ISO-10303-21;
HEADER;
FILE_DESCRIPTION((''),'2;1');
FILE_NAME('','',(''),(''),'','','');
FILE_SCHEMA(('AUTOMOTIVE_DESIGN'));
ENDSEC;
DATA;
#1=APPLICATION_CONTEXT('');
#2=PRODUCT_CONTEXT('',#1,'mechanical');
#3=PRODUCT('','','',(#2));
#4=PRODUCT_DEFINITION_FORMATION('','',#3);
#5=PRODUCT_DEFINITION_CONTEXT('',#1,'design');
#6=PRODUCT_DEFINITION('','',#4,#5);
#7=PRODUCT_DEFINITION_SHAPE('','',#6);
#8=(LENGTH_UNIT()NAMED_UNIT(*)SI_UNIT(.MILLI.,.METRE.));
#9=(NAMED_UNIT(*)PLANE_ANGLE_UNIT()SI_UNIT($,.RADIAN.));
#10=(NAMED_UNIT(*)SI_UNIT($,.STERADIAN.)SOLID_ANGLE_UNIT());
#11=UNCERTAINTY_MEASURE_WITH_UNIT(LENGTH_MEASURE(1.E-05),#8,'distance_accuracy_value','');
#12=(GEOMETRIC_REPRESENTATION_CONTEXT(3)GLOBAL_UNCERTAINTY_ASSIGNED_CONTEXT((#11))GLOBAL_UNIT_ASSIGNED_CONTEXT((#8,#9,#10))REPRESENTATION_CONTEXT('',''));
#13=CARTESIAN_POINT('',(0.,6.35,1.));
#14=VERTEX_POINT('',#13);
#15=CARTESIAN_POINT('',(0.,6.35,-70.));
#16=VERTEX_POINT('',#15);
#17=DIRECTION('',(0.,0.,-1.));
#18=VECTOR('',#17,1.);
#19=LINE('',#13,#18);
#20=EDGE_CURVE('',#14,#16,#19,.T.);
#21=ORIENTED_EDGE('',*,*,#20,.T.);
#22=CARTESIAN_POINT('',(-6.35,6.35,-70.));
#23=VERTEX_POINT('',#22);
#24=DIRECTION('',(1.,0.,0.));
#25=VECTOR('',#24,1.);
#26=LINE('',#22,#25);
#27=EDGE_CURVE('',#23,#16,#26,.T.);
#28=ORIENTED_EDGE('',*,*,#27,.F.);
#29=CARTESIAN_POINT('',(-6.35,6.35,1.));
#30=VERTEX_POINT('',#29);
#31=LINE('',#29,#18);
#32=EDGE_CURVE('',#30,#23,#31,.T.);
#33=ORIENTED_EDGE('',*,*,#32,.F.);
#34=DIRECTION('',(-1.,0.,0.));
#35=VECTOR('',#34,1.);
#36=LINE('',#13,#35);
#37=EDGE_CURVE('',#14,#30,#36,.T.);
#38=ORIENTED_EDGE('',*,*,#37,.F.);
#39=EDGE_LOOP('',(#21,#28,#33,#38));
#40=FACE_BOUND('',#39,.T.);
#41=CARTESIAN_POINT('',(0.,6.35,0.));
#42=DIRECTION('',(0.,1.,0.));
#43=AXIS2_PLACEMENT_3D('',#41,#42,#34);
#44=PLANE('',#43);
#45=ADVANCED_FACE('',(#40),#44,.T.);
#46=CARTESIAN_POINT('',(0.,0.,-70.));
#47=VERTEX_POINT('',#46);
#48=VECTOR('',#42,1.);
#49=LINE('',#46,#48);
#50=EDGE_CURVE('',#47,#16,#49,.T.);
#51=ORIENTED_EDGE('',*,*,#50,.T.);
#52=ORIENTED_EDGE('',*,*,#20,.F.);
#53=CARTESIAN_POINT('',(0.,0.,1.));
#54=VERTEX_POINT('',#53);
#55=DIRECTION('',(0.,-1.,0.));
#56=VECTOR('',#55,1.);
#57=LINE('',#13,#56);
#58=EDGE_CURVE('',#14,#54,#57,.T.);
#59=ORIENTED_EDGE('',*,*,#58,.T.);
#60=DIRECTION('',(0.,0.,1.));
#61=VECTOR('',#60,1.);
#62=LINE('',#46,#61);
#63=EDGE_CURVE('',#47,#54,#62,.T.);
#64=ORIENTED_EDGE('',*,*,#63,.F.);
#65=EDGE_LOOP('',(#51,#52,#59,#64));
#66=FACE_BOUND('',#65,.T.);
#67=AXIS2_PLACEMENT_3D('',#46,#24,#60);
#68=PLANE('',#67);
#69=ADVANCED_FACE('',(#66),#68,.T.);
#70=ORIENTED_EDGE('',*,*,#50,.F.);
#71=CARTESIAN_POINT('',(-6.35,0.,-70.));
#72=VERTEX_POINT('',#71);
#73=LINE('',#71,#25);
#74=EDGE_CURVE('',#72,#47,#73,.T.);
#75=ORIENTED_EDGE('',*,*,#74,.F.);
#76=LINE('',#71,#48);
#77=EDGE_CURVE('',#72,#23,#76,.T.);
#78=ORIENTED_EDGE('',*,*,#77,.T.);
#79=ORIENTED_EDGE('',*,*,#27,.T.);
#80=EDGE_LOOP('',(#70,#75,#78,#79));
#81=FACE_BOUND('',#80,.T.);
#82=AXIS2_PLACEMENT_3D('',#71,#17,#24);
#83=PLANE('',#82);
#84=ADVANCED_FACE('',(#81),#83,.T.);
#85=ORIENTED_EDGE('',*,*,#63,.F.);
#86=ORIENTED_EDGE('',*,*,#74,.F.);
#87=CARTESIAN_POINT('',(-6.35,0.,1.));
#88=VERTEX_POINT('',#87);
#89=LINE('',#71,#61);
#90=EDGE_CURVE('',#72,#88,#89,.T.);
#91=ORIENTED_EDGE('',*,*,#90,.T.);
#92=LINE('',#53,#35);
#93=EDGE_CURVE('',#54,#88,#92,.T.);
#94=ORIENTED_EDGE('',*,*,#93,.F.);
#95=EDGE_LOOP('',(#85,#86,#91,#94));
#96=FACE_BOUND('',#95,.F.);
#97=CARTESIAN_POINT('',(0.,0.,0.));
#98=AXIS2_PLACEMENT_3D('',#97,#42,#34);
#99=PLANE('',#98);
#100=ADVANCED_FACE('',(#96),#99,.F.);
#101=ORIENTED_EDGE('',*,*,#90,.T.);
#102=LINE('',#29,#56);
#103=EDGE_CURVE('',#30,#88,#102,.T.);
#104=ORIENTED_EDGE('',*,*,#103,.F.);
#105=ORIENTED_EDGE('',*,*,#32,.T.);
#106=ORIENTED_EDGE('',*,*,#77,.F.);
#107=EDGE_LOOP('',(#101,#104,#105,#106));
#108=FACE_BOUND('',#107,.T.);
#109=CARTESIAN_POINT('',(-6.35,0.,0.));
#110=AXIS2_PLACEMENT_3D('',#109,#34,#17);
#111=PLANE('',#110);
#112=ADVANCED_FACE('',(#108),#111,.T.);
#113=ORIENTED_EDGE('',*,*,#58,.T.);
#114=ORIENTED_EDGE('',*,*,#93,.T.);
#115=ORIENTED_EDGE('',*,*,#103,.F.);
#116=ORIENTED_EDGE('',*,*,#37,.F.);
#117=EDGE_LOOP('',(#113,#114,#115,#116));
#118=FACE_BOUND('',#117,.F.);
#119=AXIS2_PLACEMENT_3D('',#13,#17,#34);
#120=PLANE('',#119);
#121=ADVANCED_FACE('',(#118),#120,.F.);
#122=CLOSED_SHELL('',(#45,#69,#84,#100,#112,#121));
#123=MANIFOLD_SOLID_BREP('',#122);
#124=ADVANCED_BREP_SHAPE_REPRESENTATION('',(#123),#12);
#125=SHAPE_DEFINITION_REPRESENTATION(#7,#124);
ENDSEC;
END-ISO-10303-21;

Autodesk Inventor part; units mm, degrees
ref_plane "YZ Plane" through (0, 0, 0) normal (1, 0, 0) x (0, 1, 0)
ref_plane "XZ Plane" through (0, 0, 0) normal (0, 1, 0) x (-1, 0, 0)
ref_plane "XY Plane" through (0, 0, 0) normal (0, 0, 1) x (1, 0, 0)
sketch "Sketch1" plane through (0, 0, 0) normal (0, 1, 0) x (-1, 0, 0)
  line L0 (0, 0) -> (6.35, 0)
  line L1 (6.35, 0) -> (6.35, -70)
  line L2 (6.35, -70) -> (0, -70)
  line L3 (0, -70) -> (0, 0)
  dimension "d0" = 6.35
  dimension "d1" = 70
extrude "Extrusion1" add sketch "Sketch1" along normal blind 6.35
sketch "Sketch2" plane through (0, 6.35, 0) normal (0, 1, 0) x (1, 0, 0)
  line L0 (0, 0) -> (0, 70) projected
  line L1 (0, 0) -> (0, -1)
  line L2 (0, -1) -> (-6.35, -1)
  line L3 (-6.35, -1) -> (-6.35, 0)
  line L4 (-6.35, 0) -> (0, 0) projected
  line L5 (-6.35, 0) -> (0, 0)
  dimension "d4" = 1
extrude "Extrusion2" add sketch "Sketch2" against normal blind 6.35
properties part number "Connector"
